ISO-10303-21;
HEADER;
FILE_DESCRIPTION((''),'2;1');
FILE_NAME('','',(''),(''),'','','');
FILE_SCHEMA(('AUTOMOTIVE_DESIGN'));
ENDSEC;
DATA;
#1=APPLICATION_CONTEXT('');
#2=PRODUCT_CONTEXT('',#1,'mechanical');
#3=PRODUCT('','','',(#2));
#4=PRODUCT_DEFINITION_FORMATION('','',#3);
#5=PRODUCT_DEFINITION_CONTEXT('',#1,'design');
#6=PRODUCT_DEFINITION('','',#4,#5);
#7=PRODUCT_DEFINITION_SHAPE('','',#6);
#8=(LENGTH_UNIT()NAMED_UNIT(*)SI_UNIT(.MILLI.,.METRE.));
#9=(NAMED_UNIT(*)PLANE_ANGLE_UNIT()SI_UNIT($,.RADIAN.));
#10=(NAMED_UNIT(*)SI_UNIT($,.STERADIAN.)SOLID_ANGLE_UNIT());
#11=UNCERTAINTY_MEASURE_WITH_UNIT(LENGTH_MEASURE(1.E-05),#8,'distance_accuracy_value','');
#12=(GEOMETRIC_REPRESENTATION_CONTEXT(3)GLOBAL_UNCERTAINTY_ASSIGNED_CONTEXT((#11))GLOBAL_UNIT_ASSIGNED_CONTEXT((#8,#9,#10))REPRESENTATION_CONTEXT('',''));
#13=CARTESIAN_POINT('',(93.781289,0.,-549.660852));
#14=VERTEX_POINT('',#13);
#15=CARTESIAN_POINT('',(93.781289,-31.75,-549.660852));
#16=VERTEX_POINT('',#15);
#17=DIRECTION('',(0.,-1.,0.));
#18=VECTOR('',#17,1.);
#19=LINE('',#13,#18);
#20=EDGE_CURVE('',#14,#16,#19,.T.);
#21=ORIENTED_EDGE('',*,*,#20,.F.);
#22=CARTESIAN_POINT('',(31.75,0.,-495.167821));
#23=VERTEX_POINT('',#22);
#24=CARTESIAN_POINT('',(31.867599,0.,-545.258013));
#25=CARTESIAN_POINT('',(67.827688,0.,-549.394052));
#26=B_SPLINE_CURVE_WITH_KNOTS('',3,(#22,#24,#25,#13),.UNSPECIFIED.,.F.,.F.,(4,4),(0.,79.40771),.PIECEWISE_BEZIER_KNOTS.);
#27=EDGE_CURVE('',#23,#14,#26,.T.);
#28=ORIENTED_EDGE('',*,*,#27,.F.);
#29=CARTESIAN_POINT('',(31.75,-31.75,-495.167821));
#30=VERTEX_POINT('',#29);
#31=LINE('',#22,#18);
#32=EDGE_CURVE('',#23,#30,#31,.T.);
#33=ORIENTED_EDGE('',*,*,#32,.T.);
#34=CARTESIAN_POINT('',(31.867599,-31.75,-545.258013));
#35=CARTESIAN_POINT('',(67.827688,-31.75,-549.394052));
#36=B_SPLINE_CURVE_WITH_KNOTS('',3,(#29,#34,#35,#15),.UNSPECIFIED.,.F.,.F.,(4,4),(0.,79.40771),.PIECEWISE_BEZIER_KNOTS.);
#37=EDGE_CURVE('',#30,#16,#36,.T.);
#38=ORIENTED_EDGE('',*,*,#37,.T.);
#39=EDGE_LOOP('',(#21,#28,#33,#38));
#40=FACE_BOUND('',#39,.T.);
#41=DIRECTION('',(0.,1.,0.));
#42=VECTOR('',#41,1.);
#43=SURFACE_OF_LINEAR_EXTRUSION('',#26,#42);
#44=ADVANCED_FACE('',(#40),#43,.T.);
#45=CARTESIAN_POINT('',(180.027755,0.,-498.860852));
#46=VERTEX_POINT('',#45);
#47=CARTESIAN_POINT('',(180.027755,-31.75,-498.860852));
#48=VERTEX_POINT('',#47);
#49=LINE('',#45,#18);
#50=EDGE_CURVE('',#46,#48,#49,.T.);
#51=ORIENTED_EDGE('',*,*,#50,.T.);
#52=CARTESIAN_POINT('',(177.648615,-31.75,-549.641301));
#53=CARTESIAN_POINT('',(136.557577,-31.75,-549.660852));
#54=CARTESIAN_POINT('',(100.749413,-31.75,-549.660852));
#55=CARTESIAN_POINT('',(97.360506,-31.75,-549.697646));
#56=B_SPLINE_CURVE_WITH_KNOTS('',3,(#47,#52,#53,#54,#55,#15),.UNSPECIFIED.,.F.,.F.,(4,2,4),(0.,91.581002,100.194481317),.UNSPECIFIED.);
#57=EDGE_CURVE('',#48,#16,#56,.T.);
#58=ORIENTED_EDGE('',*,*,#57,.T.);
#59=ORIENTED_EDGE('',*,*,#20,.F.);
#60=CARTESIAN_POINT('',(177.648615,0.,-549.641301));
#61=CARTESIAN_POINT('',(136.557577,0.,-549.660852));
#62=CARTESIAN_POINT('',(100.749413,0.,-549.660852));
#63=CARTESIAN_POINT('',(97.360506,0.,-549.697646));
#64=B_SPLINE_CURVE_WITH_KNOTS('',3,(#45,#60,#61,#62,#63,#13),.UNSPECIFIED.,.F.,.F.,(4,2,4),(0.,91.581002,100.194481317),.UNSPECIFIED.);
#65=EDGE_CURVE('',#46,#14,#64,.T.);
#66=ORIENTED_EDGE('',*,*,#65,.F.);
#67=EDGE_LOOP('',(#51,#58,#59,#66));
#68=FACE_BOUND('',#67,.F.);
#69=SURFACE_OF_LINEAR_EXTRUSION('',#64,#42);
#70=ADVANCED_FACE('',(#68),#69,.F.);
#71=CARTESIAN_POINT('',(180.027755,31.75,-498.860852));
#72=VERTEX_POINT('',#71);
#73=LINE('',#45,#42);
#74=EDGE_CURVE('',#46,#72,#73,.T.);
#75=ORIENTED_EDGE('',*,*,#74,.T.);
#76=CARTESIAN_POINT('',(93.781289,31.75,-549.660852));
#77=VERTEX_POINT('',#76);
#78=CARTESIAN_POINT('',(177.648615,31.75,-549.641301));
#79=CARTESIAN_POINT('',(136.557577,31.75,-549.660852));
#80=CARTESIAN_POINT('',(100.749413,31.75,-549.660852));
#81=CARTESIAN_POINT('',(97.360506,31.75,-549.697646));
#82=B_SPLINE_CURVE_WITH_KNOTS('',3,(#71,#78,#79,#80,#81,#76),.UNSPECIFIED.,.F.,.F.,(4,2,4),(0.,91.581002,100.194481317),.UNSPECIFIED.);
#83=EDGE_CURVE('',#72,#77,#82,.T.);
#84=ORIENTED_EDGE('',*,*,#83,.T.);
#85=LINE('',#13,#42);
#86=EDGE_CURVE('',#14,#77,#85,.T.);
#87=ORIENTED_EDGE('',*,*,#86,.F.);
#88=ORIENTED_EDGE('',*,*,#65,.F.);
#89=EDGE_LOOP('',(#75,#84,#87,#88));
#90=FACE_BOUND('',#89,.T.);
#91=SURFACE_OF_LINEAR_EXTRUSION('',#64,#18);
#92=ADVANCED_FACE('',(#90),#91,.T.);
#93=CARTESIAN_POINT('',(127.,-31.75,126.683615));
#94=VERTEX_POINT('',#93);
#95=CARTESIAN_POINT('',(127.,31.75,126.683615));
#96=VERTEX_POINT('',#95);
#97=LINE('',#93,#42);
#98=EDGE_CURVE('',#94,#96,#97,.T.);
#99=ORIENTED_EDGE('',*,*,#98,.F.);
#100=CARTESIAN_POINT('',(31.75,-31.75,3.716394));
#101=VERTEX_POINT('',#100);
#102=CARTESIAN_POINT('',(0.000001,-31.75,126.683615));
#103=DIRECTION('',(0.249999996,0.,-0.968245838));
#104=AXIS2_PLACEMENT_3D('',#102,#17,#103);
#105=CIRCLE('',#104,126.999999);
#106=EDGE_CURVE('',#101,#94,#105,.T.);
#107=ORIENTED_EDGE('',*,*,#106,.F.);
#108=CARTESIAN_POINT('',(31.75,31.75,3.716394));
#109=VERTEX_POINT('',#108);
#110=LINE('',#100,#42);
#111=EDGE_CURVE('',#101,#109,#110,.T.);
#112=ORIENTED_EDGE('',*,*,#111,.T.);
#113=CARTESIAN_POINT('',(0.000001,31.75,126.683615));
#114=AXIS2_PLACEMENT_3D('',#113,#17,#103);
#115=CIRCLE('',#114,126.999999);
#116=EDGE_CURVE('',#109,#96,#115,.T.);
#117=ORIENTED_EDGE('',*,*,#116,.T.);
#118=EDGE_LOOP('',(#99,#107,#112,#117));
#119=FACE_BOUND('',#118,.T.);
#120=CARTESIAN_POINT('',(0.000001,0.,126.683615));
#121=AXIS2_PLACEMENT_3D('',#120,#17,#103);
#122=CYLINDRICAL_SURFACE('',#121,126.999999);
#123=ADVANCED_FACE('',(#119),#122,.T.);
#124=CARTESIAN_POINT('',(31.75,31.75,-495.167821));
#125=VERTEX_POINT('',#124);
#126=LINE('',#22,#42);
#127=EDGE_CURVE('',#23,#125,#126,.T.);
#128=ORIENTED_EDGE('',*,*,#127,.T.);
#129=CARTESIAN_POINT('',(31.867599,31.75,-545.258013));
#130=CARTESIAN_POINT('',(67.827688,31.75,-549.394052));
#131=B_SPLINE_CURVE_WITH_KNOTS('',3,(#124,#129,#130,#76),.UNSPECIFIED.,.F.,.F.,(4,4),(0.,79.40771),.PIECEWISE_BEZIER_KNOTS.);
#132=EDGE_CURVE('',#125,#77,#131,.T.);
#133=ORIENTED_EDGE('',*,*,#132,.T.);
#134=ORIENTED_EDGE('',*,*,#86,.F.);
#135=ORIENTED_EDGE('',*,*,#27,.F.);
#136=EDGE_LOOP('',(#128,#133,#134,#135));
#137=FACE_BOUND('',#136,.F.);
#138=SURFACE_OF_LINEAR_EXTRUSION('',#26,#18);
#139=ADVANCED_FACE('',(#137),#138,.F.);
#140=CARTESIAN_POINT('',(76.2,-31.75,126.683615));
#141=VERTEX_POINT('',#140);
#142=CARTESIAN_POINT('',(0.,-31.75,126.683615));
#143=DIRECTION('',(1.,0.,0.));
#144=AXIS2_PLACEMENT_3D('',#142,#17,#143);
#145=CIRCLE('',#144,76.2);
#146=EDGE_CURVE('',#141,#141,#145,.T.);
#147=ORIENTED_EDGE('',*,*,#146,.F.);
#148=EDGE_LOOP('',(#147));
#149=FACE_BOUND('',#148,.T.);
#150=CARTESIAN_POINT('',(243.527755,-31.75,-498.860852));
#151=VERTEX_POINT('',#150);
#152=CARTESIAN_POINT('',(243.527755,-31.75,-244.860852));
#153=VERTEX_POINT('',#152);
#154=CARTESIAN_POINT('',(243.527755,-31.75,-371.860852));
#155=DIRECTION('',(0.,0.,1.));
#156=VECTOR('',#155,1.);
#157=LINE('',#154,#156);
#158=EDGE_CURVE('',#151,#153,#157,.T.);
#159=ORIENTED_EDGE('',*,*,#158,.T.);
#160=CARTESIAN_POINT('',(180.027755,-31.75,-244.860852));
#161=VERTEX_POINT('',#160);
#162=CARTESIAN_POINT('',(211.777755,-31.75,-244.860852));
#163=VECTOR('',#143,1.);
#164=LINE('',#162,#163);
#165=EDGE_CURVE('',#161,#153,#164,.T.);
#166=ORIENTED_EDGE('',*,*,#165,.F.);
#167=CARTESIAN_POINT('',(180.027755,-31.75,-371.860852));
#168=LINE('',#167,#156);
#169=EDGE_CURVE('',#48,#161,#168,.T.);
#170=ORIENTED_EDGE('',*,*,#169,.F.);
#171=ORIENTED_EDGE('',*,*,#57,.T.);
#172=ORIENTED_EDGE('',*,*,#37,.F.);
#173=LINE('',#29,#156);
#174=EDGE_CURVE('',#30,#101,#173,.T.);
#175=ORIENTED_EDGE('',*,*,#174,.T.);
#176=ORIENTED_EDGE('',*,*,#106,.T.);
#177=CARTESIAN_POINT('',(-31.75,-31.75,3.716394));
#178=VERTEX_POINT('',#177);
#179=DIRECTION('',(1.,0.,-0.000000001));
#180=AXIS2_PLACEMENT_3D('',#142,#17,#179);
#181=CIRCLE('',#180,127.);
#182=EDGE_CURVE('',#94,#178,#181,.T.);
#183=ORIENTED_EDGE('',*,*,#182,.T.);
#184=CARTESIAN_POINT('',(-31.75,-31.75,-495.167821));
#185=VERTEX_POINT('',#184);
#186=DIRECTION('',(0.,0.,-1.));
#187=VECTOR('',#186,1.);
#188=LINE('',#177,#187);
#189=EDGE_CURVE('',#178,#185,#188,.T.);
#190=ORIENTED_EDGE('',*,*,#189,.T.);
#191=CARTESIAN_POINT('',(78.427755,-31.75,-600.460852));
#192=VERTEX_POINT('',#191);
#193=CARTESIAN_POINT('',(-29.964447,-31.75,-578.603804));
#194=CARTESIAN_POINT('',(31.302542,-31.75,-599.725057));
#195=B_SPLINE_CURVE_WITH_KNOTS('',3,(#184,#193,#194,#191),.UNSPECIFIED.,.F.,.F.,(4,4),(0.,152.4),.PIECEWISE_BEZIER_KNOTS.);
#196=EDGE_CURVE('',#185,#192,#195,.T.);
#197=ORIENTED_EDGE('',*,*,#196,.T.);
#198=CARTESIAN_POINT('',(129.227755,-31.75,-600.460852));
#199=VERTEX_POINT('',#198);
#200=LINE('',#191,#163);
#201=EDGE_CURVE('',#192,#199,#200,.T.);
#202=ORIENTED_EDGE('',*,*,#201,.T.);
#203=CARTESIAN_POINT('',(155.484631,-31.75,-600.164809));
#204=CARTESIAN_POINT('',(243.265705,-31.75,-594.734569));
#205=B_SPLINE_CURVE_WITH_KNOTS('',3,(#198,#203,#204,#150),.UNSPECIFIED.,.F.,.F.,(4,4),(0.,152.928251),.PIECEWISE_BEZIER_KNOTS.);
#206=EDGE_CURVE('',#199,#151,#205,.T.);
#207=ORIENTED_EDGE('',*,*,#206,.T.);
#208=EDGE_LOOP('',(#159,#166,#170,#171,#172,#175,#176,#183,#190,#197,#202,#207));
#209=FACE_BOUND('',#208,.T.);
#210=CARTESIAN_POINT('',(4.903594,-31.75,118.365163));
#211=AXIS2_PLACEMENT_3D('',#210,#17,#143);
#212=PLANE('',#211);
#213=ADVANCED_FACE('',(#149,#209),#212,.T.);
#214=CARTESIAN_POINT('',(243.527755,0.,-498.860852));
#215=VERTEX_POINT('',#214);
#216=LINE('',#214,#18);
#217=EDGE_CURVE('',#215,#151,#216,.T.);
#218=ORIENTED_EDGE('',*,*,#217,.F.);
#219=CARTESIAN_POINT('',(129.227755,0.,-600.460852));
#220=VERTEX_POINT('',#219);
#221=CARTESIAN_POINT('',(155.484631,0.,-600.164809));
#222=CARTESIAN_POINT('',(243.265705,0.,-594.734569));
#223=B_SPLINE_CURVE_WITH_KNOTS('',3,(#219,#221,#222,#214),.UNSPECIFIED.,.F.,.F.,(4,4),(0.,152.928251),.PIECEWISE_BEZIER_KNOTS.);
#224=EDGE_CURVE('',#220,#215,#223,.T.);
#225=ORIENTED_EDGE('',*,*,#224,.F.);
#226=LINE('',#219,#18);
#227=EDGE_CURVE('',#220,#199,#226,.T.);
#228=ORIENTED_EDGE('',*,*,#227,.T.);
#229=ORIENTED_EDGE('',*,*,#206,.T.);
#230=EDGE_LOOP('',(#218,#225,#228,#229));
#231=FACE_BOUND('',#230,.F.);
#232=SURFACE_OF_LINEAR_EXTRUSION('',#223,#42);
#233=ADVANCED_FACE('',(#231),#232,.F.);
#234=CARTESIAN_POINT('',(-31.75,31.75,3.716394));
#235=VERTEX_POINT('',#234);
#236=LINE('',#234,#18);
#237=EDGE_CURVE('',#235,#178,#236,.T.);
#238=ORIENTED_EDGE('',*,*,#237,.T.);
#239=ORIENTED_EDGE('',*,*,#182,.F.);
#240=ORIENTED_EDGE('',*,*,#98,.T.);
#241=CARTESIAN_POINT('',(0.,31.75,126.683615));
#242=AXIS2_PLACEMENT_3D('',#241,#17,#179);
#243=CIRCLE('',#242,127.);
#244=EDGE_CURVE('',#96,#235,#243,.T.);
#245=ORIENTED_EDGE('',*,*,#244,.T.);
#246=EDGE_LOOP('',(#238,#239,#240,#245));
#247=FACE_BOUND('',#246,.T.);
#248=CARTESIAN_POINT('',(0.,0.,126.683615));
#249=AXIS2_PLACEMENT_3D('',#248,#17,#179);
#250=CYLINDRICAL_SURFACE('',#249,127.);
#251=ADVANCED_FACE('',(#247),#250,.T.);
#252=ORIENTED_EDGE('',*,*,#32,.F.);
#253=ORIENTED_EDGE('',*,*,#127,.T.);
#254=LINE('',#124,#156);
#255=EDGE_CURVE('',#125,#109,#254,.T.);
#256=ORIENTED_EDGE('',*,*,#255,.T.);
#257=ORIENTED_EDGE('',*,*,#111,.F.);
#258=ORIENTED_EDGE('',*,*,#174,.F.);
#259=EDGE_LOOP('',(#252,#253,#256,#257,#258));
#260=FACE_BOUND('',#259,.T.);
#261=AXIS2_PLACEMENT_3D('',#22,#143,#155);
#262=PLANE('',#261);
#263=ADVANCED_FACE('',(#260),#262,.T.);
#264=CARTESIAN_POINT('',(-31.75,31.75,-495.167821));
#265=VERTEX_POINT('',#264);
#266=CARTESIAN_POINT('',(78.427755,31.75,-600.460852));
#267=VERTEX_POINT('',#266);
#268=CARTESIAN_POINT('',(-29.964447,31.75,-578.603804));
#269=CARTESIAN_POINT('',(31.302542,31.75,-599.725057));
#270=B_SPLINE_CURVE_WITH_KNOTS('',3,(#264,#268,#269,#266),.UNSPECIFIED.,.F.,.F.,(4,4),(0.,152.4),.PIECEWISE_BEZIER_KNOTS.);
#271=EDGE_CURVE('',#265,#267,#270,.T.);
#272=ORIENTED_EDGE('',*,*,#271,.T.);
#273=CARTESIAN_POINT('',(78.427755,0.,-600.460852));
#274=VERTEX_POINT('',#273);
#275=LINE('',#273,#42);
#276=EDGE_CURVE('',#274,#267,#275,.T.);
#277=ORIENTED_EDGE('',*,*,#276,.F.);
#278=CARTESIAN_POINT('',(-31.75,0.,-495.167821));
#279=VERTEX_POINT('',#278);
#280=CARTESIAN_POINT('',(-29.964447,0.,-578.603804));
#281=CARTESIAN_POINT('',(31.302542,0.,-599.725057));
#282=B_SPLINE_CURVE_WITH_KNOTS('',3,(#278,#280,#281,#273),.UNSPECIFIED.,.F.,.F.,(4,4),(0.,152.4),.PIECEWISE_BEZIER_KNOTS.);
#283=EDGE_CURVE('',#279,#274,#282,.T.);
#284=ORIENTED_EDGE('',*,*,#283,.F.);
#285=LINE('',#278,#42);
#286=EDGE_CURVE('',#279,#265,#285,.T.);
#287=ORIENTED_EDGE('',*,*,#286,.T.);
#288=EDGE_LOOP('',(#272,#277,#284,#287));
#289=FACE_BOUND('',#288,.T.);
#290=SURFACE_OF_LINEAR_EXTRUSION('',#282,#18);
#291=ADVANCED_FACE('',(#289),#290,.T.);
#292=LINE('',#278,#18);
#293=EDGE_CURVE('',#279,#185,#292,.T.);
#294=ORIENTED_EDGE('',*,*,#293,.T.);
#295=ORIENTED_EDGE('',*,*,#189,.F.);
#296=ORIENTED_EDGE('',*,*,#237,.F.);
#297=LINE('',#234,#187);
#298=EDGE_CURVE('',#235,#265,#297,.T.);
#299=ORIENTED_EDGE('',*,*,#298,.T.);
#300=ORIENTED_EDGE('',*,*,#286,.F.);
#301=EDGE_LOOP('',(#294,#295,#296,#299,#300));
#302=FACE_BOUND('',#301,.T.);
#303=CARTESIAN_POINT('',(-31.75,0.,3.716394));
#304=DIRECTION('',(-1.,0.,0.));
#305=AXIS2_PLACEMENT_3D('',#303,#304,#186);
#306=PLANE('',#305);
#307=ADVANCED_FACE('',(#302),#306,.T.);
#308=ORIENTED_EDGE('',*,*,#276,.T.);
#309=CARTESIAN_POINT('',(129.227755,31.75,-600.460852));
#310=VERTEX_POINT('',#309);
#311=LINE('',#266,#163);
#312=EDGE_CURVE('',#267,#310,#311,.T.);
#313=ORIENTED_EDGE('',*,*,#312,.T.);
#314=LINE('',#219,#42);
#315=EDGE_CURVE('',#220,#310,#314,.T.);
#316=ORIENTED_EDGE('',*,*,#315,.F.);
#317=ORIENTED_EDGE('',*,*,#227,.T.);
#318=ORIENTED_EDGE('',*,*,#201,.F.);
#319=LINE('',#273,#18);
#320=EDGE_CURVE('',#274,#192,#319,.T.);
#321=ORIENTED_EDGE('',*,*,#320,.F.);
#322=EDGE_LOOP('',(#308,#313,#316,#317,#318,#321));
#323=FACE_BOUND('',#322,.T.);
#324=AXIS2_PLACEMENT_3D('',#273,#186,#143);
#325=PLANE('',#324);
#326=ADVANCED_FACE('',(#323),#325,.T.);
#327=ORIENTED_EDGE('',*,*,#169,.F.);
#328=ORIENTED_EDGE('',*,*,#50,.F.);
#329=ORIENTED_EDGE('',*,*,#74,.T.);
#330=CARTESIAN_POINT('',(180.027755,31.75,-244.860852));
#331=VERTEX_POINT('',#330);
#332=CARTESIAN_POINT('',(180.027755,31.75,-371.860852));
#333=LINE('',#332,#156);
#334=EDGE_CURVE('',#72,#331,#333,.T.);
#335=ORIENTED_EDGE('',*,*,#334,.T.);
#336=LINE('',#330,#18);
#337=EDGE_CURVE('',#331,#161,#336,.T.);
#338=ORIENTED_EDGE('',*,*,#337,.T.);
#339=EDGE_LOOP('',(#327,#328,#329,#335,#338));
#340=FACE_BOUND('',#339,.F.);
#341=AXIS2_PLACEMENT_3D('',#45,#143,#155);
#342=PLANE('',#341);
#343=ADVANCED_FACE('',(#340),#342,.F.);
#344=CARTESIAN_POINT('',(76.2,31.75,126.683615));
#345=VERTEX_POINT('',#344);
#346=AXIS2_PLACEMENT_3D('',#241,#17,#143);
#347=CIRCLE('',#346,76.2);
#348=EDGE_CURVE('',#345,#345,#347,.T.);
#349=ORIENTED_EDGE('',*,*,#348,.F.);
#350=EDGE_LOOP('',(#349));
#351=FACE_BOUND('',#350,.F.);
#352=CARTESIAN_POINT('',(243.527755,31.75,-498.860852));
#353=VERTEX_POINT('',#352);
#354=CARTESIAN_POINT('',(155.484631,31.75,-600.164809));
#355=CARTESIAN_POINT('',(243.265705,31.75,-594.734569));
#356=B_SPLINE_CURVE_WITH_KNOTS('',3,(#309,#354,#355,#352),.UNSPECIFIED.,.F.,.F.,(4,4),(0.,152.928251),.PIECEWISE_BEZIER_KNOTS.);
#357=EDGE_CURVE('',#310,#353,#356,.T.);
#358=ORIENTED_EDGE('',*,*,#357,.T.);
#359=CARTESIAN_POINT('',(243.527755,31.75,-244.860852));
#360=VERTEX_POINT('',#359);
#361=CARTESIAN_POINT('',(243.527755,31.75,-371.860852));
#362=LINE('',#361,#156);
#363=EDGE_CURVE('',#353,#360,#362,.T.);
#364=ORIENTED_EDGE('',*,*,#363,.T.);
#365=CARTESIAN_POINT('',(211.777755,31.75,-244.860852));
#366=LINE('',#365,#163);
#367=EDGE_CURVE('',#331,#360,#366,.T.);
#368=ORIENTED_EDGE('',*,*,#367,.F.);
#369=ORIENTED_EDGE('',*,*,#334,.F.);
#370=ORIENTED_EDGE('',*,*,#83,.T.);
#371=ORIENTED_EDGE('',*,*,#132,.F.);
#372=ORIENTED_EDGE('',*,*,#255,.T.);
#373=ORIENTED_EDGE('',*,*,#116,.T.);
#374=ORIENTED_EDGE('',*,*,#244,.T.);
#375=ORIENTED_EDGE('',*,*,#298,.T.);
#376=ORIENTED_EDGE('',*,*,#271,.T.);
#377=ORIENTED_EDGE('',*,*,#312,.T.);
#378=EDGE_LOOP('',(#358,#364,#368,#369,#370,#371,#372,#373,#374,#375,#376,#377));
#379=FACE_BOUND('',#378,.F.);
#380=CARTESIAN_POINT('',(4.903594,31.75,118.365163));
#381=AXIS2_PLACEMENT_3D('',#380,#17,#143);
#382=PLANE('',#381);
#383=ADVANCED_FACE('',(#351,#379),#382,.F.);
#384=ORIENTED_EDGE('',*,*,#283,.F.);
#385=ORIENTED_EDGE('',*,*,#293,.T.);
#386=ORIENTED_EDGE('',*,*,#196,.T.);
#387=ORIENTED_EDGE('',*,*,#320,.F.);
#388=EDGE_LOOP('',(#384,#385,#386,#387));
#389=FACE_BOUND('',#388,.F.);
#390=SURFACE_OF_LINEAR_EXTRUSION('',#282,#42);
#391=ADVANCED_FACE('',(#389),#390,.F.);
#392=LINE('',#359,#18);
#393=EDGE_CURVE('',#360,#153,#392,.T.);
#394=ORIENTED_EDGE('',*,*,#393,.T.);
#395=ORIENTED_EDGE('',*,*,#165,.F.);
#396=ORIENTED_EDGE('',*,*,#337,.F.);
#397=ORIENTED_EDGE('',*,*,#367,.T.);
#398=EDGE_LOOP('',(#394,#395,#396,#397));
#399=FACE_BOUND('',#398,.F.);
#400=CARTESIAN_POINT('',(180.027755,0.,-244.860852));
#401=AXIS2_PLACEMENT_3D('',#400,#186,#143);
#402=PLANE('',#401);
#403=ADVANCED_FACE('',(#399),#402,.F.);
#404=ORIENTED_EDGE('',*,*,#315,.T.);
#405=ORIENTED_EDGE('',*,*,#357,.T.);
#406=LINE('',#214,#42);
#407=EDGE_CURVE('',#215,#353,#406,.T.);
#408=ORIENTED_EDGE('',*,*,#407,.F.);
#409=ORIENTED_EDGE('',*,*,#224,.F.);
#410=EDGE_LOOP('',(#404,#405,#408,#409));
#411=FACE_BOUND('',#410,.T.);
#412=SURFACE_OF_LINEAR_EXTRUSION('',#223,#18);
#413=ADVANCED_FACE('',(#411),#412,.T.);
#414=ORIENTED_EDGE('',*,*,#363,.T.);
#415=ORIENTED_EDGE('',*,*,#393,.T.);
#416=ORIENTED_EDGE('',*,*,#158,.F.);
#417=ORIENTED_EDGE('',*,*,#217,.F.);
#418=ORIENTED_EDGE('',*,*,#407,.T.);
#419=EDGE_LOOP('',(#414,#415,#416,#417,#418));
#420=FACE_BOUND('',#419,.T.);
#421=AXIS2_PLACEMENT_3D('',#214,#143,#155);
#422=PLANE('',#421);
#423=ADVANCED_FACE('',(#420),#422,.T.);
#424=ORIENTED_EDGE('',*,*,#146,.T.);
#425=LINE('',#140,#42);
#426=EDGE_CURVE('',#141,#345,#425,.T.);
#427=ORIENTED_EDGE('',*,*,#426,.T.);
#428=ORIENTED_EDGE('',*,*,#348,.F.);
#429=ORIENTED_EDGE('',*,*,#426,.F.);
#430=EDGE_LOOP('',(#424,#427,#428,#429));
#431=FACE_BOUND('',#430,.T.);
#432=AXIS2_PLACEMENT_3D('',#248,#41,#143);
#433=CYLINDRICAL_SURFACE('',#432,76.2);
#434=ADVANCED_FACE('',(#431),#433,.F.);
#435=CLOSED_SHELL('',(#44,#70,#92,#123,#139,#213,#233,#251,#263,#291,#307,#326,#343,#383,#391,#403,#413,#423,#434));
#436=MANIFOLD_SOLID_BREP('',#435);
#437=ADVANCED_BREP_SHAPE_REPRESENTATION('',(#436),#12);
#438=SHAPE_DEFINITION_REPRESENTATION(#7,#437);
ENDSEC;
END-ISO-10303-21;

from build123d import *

# Parameters (mm, degrees)
F0_R     = 76.2
F0_W     = 63.5
F0_H     = 254
F1_DEPTH = 31.75


with BuildPart() as f1:
    # F0 (on Front) → F1 (new body, symmetric)
    with BuildSketch(Plane.XZ):
        with BuildLine():
            ThreePointArc((127, 126.683615), (-77.771299, 227.085931), (-31.75, 3.716394))
            Line((-31.75, 3.716394), (-31.75, 12.832179))
            Line((-31.75, 12.832179), (31.75, 12.832179))
            Line((31.75, 12.832179), (31.75, 3.716394))
            ThreePointArc((31.75, 3.716394), (100.402316, 48.912316), (127, 126.683615))
        make_face()
        with Locations((0, 126.683615)):
            Circle(F0_R, mode=Mode.SUBTRACT)
        with BuildLine():
            Line((-31.75, 12.832179), (-31.75, 3.716394))
            ThreePointArc((-31.75, 3.716394), (0, -0.316385), (31.75, 3.716394))
            Line((31.75, 3.716394), (31.75, 12.832179))
            Line((31.75, 12.832179), (-31.75, 12.832179))
        make_face()
        with BuildLine():
            Line((-31.75, 3.716394), (-31.75, -495.167821))
            Line((-31.75, -495.167821), (31.75, -495.167821))
            Line((31.75, -495.167821), (31.75, 3.716394))
            ThreePointArc((31.75, 3.716394), (0, -0.316385), (-31.75, 3.716394))
        make_face()
        with BuildLine():
            Line((31.75, -495.167821), (-31.75, -495.167821))
            add(Edge.make_bspline(
                [(-31.75, -495.167821), (-29.964447, -578.603804), (31.302542, -599.725057), (78.427755, -600.460852)],
                knots=[0, 0, 0, 0, 152.4, 152.4, 152.4, 152.4], degree=3))
            Line((78.427755, -600.460852), (78.427755, -549.660852))
            Line((78.427755, -549.660852), (93.781289, -549.660852))
            add(Edge.make_bspline(
                [(31.75, -495.167821), (31.867599, -545.258013), (67.827688, -549.394052), (93.781289, -549.660852)],
                knots=[0, 0, 0, 0, 79.40771, 79.40771, 79.40771, 79.40771], degree=3))
        make_face()
        with BuildLine():
            Line((78.427755, -549.660852), (78.427755, -600.460852))
            Line((78.427755, -600.460852), (129.227755, -600.460852))
            Line((129.227755, -600.460852), (129.227755, -549.660852))
            Line((129.227755, -549.660852), (103.827755, -549.660852))
            add(Edge.make_bspline(
                [(93.781289, -549.660852), (97.360506, -549.697646), (100.749413, -549.660852), (103.827755, -549.660852)],
                knots=[79.40771, 79.40771, 79.40771, 79.40771, 90.358692, 90.358692, 90.358692, 90.358692], degree=3))
            Line((93.781289, -549.660852), (78.427755, -549.660852))
        make_face()
        with BuildLine():
            add(Edge.make_bspline(
                [(103.827755, -549.660852), (136.557577, -549.660852), (177.648615, -549.641301), (180.027755, -498.860852)],
                knots=[0, 0, 0, 0, 91.581002, 91.581002, 91.581002, 91.581002], degree=3))
            Line((103.827755, -549.660852), (129.227755, -549.660852))
            Line((129.227755, -549.660852), (129.227755, -600.460852))
            add(Edge.make_bspline(
                [(129.227755, -600.460852), (155.484631, -600.164809), (243.265705, -594.734569), (243.527755, -498.860852)],
                knots=[0, 0, 0, 0, 152.928251, 152.928251, 152.928251, 152.928251], degree=3))
            Line((243.527755, -498.860852), (180.027755, -498.860852))
        make_face()
        with Locations((211.777755, -371.860852)):
            Rectangle(F0_W, F0_H)
    extrude(amount=F1_DEPTH, both=True)


solid = f1.part
